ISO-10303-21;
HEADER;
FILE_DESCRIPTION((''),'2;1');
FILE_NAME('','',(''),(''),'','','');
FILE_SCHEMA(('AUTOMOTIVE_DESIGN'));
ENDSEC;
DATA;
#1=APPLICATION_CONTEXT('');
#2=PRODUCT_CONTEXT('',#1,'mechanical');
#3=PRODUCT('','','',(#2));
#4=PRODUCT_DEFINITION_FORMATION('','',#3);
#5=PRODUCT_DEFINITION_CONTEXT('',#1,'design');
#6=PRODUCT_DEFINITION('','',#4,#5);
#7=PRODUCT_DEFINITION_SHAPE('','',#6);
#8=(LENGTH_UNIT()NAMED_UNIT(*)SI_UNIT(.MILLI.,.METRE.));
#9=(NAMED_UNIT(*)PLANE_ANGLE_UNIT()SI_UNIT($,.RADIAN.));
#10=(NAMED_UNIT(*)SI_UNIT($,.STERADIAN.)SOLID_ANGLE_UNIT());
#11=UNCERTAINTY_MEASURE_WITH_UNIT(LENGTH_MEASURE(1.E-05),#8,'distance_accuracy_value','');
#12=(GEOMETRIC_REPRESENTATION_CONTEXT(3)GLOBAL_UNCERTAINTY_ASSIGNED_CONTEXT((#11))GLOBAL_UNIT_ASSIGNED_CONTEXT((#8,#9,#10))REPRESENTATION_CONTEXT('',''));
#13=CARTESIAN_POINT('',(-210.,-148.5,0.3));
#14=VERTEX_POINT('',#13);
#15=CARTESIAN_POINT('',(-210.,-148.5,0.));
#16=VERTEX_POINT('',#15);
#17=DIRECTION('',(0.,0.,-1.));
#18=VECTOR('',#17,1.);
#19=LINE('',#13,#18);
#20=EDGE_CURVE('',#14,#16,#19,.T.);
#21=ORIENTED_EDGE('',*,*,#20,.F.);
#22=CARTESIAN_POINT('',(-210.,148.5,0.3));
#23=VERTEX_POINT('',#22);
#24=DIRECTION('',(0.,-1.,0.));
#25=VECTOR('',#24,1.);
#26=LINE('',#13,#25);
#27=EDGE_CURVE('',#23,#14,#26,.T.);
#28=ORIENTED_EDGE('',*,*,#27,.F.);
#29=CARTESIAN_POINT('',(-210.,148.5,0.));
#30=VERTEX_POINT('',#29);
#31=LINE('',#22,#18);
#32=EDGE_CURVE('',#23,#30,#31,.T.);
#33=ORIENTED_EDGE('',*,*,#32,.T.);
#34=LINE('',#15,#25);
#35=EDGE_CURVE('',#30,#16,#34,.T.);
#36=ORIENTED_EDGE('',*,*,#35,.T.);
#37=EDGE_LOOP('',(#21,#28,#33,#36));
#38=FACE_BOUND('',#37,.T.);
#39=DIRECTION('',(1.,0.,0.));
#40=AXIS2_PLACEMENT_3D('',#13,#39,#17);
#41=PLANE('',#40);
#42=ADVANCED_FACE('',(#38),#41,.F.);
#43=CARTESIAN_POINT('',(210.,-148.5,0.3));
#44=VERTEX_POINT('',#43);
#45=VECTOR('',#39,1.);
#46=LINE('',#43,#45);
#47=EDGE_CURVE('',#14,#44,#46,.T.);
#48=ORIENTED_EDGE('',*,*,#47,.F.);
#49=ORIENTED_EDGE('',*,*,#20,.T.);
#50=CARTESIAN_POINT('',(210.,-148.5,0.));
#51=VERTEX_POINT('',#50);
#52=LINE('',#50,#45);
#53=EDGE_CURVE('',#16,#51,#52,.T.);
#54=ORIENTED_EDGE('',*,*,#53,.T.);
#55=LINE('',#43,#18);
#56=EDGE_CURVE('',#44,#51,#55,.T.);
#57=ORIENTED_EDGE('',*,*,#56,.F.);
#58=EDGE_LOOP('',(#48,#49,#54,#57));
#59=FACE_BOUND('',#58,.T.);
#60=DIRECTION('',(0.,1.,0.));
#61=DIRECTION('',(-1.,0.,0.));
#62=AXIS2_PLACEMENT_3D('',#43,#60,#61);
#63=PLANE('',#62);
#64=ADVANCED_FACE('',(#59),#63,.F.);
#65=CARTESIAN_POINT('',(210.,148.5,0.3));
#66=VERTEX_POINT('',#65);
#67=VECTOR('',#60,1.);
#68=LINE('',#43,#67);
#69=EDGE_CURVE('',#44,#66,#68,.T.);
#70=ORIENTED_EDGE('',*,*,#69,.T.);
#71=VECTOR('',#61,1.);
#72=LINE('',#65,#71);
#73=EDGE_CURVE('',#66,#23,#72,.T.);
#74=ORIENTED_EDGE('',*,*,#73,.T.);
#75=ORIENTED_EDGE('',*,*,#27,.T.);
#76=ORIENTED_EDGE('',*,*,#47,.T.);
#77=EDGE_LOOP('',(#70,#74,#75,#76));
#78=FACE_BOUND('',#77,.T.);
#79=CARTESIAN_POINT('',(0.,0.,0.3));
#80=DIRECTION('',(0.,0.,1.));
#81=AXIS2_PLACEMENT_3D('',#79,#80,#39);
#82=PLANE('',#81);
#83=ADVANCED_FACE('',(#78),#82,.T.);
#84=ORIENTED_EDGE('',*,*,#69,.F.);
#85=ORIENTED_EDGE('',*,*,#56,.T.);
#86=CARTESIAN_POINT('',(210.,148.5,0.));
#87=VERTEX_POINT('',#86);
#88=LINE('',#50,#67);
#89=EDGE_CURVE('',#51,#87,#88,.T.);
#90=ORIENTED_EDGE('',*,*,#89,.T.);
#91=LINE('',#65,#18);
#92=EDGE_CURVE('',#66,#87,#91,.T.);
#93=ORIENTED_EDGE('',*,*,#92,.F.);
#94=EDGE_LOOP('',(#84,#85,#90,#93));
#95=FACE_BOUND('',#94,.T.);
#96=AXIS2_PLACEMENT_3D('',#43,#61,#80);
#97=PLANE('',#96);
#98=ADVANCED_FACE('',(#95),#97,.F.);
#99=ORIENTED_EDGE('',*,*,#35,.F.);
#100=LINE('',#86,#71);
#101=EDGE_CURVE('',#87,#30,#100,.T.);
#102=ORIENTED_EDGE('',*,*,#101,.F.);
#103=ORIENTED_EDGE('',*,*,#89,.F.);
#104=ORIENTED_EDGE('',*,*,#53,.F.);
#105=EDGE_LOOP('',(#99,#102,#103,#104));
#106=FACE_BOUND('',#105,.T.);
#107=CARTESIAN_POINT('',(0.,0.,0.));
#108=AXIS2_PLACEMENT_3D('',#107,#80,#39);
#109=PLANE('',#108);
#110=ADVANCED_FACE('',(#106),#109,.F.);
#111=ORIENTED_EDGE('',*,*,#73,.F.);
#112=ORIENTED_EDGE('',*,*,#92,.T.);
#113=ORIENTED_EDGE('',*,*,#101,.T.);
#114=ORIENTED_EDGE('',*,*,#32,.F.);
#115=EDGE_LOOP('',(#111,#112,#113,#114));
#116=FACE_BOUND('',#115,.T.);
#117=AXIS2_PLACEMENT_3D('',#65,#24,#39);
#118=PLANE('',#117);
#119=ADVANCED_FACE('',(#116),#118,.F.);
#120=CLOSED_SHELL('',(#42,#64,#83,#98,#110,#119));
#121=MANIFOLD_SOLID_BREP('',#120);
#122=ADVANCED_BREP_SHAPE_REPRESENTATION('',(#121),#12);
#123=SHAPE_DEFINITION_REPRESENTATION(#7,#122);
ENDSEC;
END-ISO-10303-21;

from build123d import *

# Parameters (mm, degrees)
SKETCH1_W           = 420
SKETCH1_H           = 297
BOSS_EXTRUDE1_DEPTH = 0.3


with BuildPart() as part:
    # Sketch1 → Boss-Extrude1 (new body)
    with BuildSketch(Plane.XY):
        Rectangle(SKETCH1_W, SKETCH1_H)
    extrude(amount=BOSS_EXTRUDE1_DEPTH)


solid = part.part
